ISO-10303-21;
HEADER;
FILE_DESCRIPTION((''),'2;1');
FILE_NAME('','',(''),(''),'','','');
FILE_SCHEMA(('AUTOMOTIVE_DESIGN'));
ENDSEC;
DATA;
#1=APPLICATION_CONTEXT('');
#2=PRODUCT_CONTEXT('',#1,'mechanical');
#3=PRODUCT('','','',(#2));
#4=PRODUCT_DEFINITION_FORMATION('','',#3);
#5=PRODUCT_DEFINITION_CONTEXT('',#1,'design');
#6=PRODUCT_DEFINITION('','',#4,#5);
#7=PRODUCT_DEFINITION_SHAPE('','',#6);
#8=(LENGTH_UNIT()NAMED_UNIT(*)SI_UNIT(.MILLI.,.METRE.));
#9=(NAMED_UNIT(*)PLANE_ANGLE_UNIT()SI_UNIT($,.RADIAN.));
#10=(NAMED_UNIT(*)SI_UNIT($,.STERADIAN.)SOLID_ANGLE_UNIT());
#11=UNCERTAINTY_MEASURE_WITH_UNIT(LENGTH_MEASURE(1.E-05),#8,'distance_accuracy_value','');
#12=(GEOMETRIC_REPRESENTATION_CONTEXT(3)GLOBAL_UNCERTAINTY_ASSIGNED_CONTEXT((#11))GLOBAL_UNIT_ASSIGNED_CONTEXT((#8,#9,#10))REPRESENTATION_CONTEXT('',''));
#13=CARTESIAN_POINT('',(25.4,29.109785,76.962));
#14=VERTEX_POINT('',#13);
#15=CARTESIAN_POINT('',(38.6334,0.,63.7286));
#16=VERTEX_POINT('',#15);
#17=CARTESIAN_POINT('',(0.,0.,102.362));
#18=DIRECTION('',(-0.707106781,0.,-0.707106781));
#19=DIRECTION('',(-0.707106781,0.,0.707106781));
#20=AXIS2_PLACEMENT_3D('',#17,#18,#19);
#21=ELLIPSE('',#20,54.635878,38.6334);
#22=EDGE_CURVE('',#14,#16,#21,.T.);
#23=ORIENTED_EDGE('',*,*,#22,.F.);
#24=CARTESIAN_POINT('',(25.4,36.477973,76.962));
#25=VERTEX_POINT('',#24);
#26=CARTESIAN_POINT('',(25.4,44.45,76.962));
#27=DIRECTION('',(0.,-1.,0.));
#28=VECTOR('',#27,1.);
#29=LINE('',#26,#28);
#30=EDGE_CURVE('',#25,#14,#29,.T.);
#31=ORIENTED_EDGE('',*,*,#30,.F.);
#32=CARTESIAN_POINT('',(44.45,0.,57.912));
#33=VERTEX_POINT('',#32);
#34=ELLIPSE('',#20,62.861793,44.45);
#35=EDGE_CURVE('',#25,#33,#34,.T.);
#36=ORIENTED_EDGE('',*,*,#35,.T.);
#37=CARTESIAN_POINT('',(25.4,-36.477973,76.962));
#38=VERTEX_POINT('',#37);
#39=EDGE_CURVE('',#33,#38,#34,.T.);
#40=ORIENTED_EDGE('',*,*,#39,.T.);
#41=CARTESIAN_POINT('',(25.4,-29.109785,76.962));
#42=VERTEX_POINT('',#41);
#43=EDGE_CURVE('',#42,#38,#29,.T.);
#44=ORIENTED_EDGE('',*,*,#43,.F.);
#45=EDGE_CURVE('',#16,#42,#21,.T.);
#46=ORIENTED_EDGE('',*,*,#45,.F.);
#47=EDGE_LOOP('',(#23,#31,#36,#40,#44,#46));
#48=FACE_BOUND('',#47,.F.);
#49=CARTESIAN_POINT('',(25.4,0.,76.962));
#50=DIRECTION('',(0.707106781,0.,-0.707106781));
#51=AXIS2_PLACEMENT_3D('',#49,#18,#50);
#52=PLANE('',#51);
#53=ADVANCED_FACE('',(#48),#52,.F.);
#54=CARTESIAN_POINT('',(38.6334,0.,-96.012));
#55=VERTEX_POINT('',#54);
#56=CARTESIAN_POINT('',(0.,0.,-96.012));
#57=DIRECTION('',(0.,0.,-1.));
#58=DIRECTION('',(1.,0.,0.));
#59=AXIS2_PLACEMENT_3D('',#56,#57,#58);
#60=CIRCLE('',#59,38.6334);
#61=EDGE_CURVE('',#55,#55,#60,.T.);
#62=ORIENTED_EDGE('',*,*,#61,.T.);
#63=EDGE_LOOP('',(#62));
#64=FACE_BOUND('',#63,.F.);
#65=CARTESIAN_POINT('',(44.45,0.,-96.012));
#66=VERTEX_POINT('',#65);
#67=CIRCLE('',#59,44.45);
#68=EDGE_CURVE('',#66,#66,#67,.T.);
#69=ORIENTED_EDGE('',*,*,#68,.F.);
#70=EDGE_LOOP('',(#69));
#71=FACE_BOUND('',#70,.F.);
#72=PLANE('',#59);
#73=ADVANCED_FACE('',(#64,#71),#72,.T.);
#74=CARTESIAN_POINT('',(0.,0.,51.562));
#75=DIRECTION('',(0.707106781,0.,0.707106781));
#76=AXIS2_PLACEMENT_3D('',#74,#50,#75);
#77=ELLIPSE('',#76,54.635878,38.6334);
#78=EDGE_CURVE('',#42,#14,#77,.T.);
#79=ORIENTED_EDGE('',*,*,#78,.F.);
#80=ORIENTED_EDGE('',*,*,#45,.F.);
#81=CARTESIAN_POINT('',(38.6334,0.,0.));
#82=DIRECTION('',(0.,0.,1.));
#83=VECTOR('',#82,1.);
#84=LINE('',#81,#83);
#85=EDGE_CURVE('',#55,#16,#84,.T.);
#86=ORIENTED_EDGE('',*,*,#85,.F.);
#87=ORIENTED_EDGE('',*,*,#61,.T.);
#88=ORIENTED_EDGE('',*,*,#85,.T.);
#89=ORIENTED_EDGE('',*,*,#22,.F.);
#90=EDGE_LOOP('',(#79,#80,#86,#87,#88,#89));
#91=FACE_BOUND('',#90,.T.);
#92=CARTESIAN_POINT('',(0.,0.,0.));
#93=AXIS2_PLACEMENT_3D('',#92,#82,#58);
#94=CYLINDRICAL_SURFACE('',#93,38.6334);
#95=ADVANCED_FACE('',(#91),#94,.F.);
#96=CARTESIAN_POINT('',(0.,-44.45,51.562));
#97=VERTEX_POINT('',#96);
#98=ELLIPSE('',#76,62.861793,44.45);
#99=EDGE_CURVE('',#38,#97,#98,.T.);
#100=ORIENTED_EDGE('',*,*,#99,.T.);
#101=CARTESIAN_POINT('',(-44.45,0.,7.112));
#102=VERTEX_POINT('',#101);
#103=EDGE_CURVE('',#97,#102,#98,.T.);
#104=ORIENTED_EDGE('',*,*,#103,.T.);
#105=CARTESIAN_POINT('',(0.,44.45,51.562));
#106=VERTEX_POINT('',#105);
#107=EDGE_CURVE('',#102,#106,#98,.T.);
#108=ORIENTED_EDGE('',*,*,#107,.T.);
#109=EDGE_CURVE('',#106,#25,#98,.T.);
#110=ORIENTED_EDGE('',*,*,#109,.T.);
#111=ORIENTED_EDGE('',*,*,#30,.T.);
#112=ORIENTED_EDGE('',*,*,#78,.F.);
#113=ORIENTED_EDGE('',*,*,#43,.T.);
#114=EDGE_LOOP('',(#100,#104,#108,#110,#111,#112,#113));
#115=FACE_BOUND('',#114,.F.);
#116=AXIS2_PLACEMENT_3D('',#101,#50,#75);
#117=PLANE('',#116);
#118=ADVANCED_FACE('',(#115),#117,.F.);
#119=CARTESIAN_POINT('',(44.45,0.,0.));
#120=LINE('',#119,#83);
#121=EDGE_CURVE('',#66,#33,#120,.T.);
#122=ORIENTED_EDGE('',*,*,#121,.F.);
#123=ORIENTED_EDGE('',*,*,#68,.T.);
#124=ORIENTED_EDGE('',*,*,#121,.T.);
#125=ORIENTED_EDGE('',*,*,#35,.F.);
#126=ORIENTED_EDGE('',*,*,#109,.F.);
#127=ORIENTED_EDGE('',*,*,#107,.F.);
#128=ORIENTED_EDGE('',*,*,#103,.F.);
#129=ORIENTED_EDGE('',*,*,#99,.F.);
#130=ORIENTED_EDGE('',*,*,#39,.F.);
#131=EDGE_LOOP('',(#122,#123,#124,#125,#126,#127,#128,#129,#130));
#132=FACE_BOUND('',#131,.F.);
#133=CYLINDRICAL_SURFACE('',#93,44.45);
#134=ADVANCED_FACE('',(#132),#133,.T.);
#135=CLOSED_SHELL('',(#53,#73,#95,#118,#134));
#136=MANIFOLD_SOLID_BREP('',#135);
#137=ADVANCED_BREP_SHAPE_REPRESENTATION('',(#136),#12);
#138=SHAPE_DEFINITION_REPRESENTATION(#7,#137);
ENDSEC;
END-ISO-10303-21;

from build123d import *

# Parameters (mm, degrees)
F0_W     = 5.8166
F0_H     = 192.024
F3_DEPTH = 44.45


with BuildPart() as f1:
    # F0 (on Front) → F1 (revolve)
    with BuildSketch(Plane.XZ):
        with Locations((41.5417, 0)):
            Rectangle(F0_W, F0_H)
    revolve(axis=Axis((0, 0, 0), (0, 0, -1)))

    # F2 (on Front) → F3 (cut, symmetric)
    with BuildSketch(Plane.XZ):
        Polygon((-44.45, 7.112), (25.4, 76.962), (44.45, 57.912), (44.45, 76.962), (44.45, 96.012), (-44.45, 96.012), align=None)
    extrude(amount=F3_DEPTH, both=True, mode=Mode.SUBTRACT)


solid = f1.part
